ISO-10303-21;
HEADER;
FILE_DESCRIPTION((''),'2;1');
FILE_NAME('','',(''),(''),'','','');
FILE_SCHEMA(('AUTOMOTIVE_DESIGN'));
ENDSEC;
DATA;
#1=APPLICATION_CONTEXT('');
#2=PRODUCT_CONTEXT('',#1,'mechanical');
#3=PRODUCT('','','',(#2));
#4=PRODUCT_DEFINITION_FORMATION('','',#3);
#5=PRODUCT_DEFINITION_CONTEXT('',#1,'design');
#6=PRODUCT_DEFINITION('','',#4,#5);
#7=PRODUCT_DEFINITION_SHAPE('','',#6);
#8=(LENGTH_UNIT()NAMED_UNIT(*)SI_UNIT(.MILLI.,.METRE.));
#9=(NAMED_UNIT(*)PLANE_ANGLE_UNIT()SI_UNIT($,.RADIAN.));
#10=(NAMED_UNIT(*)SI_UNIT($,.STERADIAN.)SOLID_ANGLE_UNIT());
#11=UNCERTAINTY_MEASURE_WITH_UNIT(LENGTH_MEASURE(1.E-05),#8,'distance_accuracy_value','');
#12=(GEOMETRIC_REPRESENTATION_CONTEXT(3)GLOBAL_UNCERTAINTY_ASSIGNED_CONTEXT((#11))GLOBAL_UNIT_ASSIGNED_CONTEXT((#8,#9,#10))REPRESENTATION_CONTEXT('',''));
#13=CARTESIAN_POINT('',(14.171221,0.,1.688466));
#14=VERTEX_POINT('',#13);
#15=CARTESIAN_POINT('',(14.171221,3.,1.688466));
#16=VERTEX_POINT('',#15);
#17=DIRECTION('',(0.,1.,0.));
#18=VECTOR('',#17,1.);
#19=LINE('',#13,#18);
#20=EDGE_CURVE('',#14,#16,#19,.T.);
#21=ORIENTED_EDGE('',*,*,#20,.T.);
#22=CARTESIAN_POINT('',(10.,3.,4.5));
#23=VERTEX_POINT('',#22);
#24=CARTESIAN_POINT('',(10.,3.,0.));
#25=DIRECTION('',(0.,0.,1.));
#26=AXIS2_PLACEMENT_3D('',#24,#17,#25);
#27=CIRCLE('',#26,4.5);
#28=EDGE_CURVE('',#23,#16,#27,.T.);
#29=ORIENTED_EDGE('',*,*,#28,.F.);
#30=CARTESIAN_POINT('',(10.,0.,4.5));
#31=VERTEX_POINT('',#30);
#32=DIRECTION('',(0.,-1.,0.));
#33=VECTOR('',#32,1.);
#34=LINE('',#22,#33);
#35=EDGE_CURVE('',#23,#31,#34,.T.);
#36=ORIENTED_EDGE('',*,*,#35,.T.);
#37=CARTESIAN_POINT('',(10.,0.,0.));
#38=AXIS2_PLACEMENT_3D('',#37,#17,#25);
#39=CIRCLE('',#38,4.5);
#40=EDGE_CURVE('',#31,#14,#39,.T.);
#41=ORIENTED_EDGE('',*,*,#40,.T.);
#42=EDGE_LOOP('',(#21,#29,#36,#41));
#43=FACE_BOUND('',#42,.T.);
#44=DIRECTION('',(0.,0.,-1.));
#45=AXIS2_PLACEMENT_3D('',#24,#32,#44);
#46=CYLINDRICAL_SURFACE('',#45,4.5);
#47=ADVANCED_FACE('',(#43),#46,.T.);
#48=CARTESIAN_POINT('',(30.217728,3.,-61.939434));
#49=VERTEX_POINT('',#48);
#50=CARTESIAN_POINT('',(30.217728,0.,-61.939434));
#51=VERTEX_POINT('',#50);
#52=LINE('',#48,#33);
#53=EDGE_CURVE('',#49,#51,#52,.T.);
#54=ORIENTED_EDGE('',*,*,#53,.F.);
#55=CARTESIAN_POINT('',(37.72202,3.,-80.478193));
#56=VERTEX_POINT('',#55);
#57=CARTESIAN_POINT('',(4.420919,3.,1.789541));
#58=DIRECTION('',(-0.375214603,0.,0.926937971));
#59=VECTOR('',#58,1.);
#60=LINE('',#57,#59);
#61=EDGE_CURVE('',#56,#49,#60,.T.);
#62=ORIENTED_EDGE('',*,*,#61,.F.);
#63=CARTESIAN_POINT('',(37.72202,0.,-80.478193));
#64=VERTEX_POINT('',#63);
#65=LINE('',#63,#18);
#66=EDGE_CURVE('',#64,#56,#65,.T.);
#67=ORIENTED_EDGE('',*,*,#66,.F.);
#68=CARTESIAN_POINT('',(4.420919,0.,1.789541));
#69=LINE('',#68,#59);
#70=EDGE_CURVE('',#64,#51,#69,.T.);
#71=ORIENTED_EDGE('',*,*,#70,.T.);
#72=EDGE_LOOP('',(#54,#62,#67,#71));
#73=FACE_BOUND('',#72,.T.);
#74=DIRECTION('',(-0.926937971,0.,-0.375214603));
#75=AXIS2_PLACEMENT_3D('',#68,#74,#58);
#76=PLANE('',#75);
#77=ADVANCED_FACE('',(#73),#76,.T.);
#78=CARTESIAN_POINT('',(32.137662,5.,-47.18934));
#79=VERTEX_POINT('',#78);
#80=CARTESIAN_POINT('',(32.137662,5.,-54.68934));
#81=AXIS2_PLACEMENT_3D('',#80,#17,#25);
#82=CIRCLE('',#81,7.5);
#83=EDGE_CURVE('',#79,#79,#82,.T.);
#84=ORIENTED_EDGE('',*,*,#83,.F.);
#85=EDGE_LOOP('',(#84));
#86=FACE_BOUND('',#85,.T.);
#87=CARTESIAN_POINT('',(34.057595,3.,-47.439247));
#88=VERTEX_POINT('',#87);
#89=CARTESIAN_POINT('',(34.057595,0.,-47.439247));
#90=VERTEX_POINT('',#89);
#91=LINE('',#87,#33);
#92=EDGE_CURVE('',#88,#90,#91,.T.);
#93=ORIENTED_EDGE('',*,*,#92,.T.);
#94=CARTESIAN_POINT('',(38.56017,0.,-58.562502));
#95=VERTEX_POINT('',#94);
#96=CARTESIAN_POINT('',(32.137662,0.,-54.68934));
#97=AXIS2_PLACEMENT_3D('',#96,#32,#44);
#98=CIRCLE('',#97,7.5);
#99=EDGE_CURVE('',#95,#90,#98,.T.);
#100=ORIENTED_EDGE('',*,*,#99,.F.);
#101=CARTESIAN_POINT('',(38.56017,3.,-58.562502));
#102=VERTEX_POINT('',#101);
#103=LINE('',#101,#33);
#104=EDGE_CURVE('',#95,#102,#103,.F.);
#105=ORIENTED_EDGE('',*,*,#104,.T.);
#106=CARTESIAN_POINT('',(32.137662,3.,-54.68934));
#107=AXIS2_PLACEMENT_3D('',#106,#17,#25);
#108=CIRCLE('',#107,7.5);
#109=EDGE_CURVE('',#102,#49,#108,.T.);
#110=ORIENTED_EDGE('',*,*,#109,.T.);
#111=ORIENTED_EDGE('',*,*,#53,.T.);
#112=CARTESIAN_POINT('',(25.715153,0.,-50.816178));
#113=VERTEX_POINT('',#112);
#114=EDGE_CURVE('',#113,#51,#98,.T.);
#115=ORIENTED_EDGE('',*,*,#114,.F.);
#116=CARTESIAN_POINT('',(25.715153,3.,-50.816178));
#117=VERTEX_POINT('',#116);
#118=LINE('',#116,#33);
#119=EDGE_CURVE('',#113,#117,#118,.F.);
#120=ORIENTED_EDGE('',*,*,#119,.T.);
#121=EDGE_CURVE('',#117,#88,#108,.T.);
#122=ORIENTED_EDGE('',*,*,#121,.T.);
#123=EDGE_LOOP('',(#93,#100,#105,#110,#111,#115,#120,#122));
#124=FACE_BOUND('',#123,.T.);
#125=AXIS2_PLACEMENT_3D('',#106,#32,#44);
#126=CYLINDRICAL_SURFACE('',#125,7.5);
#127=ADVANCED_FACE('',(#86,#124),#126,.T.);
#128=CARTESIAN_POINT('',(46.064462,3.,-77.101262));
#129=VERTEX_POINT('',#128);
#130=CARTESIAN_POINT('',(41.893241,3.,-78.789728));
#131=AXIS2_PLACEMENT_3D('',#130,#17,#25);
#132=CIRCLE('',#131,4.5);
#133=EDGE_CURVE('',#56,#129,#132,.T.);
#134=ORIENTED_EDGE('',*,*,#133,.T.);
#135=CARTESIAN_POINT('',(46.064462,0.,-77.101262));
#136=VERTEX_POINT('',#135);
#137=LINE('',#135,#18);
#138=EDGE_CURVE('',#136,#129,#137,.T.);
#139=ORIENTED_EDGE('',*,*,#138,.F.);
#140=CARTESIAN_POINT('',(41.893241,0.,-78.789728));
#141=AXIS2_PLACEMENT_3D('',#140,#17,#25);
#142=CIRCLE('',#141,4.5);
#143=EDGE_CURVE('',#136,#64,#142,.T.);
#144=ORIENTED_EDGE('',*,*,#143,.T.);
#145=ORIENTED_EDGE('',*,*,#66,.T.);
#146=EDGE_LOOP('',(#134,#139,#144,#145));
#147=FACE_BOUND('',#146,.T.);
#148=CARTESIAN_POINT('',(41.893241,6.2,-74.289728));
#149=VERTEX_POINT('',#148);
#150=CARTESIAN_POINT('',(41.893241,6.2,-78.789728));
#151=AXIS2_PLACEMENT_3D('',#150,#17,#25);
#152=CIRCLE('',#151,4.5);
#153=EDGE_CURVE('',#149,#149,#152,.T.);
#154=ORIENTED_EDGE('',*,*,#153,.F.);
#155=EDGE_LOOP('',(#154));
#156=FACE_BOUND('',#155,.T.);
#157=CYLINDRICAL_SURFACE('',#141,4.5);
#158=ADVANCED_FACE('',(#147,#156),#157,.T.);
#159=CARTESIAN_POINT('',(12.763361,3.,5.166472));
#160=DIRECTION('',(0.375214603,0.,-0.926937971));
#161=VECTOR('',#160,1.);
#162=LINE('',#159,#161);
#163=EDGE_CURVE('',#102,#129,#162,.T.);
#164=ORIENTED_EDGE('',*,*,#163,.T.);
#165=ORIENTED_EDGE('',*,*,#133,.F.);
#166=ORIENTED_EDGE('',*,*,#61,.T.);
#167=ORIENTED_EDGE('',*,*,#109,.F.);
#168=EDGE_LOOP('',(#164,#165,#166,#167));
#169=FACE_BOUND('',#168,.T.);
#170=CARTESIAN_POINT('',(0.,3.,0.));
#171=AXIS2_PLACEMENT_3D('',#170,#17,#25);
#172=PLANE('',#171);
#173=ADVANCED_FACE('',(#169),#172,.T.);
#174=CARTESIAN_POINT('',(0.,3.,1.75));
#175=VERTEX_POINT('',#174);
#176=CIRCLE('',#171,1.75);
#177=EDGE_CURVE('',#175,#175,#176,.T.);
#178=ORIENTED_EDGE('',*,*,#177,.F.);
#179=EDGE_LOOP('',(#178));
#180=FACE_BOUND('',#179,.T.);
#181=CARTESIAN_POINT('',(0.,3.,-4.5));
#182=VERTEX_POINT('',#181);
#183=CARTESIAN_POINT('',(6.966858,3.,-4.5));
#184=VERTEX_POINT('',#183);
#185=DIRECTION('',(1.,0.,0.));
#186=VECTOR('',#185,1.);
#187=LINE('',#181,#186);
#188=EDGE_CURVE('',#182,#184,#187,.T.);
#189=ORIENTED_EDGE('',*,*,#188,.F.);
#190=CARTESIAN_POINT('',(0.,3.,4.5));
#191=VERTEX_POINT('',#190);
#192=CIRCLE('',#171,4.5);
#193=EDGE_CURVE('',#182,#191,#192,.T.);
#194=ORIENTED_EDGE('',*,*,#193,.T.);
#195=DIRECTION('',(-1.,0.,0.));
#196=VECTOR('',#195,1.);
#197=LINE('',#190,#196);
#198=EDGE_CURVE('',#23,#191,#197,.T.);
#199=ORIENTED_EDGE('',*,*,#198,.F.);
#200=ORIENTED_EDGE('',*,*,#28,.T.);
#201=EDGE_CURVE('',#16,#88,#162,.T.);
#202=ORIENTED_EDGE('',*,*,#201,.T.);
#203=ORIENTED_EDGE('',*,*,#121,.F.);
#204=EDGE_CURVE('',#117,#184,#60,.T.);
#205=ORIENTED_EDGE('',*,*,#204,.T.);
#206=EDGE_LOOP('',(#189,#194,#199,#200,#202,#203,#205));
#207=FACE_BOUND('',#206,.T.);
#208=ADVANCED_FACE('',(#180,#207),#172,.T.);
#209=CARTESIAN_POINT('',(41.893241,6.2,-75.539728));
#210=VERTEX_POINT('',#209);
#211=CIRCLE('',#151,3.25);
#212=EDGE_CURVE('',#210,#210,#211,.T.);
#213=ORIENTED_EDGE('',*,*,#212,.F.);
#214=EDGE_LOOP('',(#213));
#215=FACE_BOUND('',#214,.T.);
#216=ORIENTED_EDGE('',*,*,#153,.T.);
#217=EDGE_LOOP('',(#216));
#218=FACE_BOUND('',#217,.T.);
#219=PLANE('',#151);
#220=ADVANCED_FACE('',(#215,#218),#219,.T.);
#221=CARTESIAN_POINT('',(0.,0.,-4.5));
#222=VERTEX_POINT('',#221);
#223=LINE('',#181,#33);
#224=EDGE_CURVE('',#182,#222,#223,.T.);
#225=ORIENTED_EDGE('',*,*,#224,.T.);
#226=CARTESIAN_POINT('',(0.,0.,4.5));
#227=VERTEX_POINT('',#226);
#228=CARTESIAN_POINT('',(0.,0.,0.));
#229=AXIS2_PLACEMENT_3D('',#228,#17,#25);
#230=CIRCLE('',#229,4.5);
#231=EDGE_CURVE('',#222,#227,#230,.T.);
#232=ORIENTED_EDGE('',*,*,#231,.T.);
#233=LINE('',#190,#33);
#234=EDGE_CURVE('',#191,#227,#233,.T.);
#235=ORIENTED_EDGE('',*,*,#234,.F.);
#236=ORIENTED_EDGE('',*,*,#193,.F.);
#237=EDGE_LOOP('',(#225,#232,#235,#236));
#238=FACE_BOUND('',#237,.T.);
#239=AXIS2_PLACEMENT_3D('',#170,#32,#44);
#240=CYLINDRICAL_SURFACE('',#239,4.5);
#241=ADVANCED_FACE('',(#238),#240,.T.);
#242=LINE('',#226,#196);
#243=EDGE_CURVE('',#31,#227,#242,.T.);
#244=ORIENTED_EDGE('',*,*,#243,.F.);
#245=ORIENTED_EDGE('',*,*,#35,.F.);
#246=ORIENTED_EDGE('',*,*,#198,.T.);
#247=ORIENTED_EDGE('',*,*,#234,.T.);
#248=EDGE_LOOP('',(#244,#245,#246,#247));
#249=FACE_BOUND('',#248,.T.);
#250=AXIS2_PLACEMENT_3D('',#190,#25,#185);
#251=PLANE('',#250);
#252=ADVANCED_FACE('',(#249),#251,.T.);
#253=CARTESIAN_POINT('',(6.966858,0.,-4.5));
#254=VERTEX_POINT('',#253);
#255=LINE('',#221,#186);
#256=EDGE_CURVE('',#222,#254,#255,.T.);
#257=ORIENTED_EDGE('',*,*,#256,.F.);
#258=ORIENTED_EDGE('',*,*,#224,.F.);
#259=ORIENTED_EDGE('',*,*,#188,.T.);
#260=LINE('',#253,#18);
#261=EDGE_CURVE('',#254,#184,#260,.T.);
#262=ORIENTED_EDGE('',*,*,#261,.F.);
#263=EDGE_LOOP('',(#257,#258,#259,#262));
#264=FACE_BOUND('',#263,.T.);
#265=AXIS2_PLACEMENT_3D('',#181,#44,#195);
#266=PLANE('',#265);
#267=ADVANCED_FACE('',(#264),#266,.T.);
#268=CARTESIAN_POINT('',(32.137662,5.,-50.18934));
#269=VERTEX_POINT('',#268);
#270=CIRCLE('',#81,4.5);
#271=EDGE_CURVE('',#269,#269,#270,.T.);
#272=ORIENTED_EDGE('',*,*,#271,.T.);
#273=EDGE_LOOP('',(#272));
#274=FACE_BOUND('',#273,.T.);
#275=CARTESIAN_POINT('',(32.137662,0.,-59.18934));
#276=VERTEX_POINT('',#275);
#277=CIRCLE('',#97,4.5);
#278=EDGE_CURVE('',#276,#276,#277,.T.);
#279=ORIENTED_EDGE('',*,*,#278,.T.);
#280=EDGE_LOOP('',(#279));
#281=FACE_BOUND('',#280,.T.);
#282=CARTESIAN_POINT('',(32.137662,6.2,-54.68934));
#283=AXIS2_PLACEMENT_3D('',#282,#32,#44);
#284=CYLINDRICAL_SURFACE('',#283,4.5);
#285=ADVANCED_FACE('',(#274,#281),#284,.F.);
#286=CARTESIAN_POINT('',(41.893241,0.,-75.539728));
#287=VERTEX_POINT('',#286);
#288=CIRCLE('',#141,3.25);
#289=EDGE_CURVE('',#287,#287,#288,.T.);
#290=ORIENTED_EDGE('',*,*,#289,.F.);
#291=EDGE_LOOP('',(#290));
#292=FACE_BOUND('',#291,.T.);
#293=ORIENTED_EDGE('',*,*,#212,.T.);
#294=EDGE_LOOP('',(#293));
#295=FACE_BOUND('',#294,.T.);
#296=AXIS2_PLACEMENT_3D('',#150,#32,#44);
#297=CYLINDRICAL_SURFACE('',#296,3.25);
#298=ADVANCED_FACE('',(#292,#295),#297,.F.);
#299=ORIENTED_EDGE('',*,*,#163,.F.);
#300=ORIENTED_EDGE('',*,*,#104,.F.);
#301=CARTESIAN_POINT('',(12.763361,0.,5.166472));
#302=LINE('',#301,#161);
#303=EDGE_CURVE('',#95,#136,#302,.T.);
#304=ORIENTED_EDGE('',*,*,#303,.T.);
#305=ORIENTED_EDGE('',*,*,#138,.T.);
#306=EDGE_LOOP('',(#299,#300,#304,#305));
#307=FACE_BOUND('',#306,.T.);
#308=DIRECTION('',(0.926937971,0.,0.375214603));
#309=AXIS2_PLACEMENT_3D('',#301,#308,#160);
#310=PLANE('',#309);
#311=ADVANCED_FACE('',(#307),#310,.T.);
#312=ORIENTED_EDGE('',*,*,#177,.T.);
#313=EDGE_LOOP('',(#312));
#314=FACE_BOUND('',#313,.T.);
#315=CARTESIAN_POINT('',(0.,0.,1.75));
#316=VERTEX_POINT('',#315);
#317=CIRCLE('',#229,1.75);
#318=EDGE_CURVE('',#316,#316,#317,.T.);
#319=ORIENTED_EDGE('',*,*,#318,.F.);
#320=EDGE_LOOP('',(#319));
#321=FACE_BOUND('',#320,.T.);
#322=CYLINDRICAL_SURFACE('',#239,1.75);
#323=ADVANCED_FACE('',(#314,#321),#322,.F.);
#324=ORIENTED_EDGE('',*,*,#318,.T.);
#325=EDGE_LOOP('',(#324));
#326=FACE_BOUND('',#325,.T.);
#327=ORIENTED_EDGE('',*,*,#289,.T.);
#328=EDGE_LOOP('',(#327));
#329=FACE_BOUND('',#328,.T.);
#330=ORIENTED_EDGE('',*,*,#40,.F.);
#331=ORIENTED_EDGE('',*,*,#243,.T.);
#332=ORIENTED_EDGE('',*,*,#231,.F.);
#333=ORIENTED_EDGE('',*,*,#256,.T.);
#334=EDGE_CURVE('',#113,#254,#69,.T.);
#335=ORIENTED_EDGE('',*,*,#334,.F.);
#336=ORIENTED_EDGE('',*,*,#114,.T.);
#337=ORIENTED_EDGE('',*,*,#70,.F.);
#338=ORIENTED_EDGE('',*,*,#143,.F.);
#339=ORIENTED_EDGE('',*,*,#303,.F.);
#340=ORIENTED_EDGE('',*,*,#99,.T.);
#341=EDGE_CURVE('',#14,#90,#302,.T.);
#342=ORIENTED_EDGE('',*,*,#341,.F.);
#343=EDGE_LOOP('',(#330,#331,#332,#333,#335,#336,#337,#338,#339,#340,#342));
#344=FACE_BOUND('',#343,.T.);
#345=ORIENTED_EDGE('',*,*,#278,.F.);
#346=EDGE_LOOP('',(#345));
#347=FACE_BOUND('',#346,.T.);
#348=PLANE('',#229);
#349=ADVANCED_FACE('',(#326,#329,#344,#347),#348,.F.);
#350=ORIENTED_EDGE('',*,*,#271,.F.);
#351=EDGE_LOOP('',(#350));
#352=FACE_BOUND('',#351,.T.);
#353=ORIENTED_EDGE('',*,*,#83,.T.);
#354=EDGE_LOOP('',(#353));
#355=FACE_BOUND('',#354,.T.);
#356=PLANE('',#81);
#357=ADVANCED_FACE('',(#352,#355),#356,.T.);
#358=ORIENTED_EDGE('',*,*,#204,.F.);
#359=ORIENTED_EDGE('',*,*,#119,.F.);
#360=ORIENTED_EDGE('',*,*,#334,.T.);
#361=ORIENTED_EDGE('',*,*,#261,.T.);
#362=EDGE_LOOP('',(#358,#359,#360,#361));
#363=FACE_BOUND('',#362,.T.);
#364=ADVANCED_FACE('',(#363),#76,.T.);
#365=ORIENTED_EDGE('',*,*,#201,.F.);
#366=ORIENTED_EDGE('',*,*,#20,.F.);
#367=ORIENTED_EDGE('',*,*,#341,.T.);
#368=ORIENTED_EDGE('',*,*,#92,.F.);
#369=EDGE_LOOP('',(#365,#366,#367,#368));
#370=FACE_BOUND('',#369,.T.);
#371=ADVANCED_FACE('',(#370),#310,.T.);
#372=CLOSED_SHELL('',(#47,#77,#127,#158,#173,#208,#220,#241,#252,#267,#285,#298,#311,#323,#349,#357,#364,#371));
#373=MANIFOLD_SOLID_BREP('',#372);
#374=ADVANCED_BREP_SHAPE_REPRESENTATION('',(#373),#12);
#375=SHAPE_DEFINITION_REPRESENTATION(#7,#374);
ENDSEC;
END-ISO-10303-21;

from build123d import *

# Parameters (mm, degrees)
SKETCH1_R           = 1.75
BOSS_EXTRUDE1_DEPTH = 3
BOSS_EXTRUDE2_DEPTH = 3
SKETCH3_R           = 4.5
SKETCH3_R_2         = 3.25
BOSS_EXTRUDE3_DEPTH = 3.2
SKETCH4_R           = 3.25
CUT_EXTRUDE1_DEPTH  = 3
SKETCH6_R           = 7.5
BOSS_EXTRUDE4_DEPTH = 3
SKETCH5_R           = 4.5
CUT_EXTRUDE2_DEPTH  = 7.2
SKETCH7_R           = 7.5
SKETCH7_R_2         = 4.5
BOSS_EXTRUDE5_DEPTH = 2


with BuildPart() as part:
    # Sketch1 → Boss-Extrude1 (new body)
    with BuildSketch(Plane(origin=(0, 0, 0), x_dir=(1, 0, 0), z_dir=(0, 1, 0))):
        with BuildLine():
            Line((0, -4.5), (10, -4.5))
            ThreePointArc((10, -4.5), (14.5, 0), (10, 4.5))
            Line((10, 4.5), (0, 4.5))
            ThreePointArc((0, 4.5), (-4.5, 0), (0, -4.5))
        make_face()
        Circle(SKETCH1_R, mode=Mode.SUBTRACT)
    extrude(amount=BOSS_EXTRUDE1_DEPTH)

    # Sketch2 → Boss-Extrude2 (add)
    with BuildSketch(Plane(origin=(0, 3, 0), x_dir=(1, 0, 0), z_dir=(0, 1, 0))):
        with BuildLine():
            Line((10, 0), (11.688465713, 4.171220869))
            ThreePointArc((11.688465713, 4.171220869), (10.860088975, 4.41704052), (10, 4.5))
            Line((10, 4.5), (6.96685822, 4.5))
            ThreePointArc((6.96685822, 4.5), (8.346615874, -1.181489024), (14.171220869, -1.688465713))
            Line((14.171220869, -1.688465713), (10, 0))
        make_face()
        with BuildLine():
            ThreePointArc((46.064462111, 77.10126181), (43.648814249, 74.646303405), (40.204775529, 74.618506654))
            Line((40.204775529, 74.618506654), (11.688465713, 4.171220869))
            ThreePointArc((11.688465713, 4.171220869), (14.143424118, 1.755573007), (14.171220869, -1.688465713))
            Line((14.171220869, -1.688465713), (46.064462111, 77.10126181))
        make_face()
        with BuildLine():
            ThreePointArc((14.171220869, -1.688465713), (14.143424118, 1.755573007), (11.688465713, 4.171220869))
            Line((11.688465713, 4.171220869), (10, 0))
            Line((10, 0), (14.171220869, -1.688465713))
        make_face()
        with BuildLine():
            Line((11.688465713, 4.171220869), (40.204775529, 74.618506654))
            ThreePointArc((40.204775529, 74.618506654), (37.749817124, 77.034154516), (37.722020373, 80.478193235))
            Line((37.722020373, 80.478193235), (6.96685822, 4.5))
            Line((6.96685822, 4.5), (10, 4.5))
            ThreePointArc((10, 4.5), (10.860088975, 4.41704052), (11.688465713, 4.171220869))
        make_face()
        with BuildLine():
            Line((37.722020373, 80.478193235), (41.893241242, 78.789727523))
            Line((41.893241242, 78.789727523), (46.064462111, 77.10126181))
            ThreePointArc((46.064462111, 77.10126181), (46.310281762, 77.929638548), (46.393241242, 78.789727523))
            ThreePointArc((46.393241242, 78.789727523), (42.753330217, 83.206768043), (37.722020373, 80.478193235))
        make_face()
        with BuildLine():
            Line((46.064462111, 77.10126181), (41.893241242, 78.789727523))
            Line((41.893241242, 78.789727523), (40.204775529, 74.618506654))
            ThreePointArc((40.204775529, 74.618506654), (43.648814249, 74.646303405), (46.064462111, 77.10126181))
        make_face()
        with BuildLine():
            Line((40.204775529, 74.618506654), (41.893241242, 78.789727523))
            Line((41.893241242, 78.789727523), (37.722020373, 80.478193235))
            ThreePointArc((37.722020373, 80.478193235), (37.749817124, 77.034154516), (40.204775529, 74.618506654))
        make_face()
    extrude(amount=-BOSS_EXTRUDE2_DEPTH)

    # Sketch3 → Boss-Extrude3 (add)
    with BuildSketch(Plane(origin=(0, 3, 0), x_dir=(1, 0, 0), z_dir=(0, 1, 0))):
        with Locations((41.893241242, 78.789727523)):
            Circle(SKETCH3_R)
        with Locations((41.893241242, 78.789727523)):
            Circle(SKETCH3_R_2, mode=Mode.SUBTRACT)
    extrude(amount=BOSS_EXTRUDE3_DEPTH)

    # Sketch4 → Cut-Extrude1 (cut)
    with BuildSketch(Plane(origin=(0, 3, 0), x_dir=(1, 0, 0), z_dir=(0, 1, 0))):
        with Locations((41.893241242, 78.789727523)):
            Circle(SKETCH4_R)
    extrude(amount=-CUT_EXTRUDE1_DEPTH, mode=Mode.SUBTRACT)

    # Sketch6 → Boss-Extrude4 (add)
    with BuildSketch(Plane.XZ):
        with Locations((32.137661568, -54.68934028)):
            Circle(SKETCH6_R)
    extrude(amount=-BOSS_EXTRUDE4_DEPTH)

    # Sketch5 → Cut-Extrude2 (cut, through all)
    with BuildSketch(Plane.XZ):
        with Locations((32.137661568, -54.68934028)):
            Circle(SKETCH5_R)
    extrude(amount=-CUT_EXTRUDE2_DEPTH, mode=Mode.SUBTRACT)

    # Sketch7 → Boss-Extrude5 (add)
    with BuildSketch(Plane(origin=(0, 3, 0), x_dir=(1, 0, 0), z_dir=(0, 1, 0))):
        with Locations((32.137661568, 54.68934028)):
            Circle(SKETCH7_R)
        with Locations((32.137661568, 54.68934028)):
            Circle(SKETCH7_R_2, mode=Mode.SUBTRACT)
    extrude(amount=BOSS_EXTRUDE5_DEPTH)


solid = part.part
